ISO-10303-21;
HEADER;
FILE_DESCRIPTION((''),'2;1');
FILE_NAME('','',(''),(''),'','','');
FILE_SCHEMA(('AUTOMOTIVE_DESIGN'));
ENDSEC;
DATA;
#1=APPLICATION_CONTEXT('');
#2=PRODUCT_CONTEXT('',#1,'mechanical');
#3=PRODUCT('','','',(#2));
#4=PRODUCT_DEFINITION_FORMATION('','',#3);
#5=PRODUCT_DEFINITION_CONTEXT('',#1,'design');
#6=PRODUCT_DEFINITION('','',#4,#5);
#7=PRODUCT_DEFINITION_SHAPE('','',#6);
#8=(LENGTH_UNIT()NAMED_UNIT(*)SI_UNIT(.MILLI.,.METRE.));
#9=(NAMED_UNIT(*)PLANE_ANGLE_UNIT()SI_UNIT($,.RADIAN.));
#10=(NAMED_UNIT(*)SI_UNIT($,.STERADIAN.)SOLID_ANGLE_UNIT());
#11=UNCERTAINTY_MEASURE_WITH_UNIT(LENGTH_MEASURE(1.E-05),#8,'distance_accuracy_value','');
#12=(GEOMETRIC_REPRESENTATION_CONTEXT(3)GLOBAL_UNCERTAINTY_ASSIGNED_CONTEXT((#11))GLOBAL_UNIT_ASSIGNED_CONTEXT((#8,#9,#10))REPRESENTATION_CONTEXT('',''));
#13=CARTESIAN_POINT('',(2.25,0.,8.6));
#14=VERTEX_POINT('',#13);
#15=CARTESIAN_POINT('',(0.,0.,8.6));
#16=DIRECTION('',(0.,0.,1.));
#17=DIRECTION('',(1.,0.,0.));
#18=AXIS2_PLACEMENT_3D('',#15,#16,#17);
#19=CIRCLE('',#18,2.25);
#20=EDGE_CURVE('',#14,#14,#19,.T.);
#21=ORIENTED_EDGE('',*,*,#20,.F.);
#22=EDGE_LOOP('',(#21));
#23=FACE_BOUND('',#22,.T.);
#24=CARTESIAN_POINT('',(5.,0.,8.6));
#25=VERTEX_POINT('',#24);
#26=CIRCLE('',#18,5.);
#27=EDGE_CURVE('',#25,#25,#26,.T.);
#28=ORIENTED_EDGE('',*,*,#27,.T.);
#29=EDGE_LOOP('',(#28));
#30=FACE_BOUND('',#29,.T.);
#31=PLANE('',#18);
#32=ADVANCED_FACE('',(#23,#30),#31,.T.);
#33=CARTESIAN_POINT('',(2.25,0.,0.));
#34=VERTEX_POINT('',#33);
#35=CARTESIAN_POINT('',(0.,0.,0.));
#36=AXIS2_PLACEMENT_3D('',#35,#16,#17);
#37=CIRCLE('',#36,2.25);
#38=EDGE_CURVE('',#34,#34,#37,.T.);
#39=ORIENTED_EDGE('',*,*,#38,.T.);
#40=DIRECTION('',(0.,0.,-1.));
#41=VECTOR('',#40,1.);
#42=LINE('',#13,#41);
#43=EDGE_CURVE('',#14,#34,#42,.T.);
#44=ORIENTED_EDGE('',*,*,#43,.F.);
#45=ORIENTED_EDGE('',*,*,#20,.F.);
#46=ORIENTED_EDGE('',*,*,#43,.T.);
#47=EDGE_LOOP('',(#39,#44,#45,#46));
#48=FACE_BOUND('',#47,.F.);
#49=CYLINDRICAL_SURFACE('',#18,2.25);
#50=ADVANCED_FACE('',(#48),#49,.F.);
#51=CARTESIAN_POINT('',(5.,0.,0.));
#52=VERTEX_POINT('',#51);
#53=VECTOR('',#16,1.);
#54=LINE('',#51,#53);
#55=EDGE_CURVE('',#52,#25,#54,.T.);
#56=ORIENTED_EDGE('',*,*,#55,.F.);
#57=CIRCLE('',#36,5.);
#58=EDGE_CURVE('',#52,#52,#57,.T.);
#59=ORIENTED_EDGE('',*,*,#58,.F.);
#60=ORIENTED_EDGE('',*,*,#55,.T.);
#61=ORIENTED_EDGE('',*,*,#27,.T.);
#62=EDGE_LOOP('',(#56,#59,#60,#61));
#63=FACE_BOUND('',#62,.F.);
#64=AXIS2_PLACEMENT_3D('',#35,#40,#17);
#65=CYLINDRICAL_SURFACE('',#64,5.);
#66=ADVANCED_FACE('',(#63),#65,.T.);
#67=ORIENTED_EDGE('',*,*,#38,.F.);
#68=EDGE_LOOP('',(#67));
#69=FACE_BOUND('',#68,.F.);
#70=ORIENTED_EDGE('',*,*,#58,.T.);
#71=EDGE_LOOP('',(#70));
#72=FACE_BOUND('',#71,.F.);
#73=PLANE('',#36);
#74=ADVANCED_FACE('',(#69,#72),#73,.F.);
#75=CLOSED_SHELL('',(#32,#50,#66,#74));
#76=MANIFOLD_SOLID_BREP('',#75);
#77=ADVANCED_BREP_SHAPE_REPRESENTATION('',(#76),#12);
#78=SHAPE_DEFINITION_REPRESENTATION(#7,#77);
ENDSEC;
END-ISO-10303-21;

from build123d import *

# Parameters (mm, degrees)
SKETCH_R     = 5
PAD_DEPTH    = 8.6
SKETCH001_R  = 2.25
POCKET_DEPTH = 8.601


with BuildPart() as part:
    # Sketch → Pad (new body)
    with BuildSketch(Plane.XY):
        Circle(SKETCH_R)
    extrude(amount=PAD_DEPTH)

    # Sketch001 → Pocket (cut, through all)
    with BuildSketch(Plane.XY.offset(8.6)):
        Circle(SKETCH001_R)
    extrude(amount=-POCKET_DEPTH, mode=Mode.SUBTRACT)


solid = part.part
